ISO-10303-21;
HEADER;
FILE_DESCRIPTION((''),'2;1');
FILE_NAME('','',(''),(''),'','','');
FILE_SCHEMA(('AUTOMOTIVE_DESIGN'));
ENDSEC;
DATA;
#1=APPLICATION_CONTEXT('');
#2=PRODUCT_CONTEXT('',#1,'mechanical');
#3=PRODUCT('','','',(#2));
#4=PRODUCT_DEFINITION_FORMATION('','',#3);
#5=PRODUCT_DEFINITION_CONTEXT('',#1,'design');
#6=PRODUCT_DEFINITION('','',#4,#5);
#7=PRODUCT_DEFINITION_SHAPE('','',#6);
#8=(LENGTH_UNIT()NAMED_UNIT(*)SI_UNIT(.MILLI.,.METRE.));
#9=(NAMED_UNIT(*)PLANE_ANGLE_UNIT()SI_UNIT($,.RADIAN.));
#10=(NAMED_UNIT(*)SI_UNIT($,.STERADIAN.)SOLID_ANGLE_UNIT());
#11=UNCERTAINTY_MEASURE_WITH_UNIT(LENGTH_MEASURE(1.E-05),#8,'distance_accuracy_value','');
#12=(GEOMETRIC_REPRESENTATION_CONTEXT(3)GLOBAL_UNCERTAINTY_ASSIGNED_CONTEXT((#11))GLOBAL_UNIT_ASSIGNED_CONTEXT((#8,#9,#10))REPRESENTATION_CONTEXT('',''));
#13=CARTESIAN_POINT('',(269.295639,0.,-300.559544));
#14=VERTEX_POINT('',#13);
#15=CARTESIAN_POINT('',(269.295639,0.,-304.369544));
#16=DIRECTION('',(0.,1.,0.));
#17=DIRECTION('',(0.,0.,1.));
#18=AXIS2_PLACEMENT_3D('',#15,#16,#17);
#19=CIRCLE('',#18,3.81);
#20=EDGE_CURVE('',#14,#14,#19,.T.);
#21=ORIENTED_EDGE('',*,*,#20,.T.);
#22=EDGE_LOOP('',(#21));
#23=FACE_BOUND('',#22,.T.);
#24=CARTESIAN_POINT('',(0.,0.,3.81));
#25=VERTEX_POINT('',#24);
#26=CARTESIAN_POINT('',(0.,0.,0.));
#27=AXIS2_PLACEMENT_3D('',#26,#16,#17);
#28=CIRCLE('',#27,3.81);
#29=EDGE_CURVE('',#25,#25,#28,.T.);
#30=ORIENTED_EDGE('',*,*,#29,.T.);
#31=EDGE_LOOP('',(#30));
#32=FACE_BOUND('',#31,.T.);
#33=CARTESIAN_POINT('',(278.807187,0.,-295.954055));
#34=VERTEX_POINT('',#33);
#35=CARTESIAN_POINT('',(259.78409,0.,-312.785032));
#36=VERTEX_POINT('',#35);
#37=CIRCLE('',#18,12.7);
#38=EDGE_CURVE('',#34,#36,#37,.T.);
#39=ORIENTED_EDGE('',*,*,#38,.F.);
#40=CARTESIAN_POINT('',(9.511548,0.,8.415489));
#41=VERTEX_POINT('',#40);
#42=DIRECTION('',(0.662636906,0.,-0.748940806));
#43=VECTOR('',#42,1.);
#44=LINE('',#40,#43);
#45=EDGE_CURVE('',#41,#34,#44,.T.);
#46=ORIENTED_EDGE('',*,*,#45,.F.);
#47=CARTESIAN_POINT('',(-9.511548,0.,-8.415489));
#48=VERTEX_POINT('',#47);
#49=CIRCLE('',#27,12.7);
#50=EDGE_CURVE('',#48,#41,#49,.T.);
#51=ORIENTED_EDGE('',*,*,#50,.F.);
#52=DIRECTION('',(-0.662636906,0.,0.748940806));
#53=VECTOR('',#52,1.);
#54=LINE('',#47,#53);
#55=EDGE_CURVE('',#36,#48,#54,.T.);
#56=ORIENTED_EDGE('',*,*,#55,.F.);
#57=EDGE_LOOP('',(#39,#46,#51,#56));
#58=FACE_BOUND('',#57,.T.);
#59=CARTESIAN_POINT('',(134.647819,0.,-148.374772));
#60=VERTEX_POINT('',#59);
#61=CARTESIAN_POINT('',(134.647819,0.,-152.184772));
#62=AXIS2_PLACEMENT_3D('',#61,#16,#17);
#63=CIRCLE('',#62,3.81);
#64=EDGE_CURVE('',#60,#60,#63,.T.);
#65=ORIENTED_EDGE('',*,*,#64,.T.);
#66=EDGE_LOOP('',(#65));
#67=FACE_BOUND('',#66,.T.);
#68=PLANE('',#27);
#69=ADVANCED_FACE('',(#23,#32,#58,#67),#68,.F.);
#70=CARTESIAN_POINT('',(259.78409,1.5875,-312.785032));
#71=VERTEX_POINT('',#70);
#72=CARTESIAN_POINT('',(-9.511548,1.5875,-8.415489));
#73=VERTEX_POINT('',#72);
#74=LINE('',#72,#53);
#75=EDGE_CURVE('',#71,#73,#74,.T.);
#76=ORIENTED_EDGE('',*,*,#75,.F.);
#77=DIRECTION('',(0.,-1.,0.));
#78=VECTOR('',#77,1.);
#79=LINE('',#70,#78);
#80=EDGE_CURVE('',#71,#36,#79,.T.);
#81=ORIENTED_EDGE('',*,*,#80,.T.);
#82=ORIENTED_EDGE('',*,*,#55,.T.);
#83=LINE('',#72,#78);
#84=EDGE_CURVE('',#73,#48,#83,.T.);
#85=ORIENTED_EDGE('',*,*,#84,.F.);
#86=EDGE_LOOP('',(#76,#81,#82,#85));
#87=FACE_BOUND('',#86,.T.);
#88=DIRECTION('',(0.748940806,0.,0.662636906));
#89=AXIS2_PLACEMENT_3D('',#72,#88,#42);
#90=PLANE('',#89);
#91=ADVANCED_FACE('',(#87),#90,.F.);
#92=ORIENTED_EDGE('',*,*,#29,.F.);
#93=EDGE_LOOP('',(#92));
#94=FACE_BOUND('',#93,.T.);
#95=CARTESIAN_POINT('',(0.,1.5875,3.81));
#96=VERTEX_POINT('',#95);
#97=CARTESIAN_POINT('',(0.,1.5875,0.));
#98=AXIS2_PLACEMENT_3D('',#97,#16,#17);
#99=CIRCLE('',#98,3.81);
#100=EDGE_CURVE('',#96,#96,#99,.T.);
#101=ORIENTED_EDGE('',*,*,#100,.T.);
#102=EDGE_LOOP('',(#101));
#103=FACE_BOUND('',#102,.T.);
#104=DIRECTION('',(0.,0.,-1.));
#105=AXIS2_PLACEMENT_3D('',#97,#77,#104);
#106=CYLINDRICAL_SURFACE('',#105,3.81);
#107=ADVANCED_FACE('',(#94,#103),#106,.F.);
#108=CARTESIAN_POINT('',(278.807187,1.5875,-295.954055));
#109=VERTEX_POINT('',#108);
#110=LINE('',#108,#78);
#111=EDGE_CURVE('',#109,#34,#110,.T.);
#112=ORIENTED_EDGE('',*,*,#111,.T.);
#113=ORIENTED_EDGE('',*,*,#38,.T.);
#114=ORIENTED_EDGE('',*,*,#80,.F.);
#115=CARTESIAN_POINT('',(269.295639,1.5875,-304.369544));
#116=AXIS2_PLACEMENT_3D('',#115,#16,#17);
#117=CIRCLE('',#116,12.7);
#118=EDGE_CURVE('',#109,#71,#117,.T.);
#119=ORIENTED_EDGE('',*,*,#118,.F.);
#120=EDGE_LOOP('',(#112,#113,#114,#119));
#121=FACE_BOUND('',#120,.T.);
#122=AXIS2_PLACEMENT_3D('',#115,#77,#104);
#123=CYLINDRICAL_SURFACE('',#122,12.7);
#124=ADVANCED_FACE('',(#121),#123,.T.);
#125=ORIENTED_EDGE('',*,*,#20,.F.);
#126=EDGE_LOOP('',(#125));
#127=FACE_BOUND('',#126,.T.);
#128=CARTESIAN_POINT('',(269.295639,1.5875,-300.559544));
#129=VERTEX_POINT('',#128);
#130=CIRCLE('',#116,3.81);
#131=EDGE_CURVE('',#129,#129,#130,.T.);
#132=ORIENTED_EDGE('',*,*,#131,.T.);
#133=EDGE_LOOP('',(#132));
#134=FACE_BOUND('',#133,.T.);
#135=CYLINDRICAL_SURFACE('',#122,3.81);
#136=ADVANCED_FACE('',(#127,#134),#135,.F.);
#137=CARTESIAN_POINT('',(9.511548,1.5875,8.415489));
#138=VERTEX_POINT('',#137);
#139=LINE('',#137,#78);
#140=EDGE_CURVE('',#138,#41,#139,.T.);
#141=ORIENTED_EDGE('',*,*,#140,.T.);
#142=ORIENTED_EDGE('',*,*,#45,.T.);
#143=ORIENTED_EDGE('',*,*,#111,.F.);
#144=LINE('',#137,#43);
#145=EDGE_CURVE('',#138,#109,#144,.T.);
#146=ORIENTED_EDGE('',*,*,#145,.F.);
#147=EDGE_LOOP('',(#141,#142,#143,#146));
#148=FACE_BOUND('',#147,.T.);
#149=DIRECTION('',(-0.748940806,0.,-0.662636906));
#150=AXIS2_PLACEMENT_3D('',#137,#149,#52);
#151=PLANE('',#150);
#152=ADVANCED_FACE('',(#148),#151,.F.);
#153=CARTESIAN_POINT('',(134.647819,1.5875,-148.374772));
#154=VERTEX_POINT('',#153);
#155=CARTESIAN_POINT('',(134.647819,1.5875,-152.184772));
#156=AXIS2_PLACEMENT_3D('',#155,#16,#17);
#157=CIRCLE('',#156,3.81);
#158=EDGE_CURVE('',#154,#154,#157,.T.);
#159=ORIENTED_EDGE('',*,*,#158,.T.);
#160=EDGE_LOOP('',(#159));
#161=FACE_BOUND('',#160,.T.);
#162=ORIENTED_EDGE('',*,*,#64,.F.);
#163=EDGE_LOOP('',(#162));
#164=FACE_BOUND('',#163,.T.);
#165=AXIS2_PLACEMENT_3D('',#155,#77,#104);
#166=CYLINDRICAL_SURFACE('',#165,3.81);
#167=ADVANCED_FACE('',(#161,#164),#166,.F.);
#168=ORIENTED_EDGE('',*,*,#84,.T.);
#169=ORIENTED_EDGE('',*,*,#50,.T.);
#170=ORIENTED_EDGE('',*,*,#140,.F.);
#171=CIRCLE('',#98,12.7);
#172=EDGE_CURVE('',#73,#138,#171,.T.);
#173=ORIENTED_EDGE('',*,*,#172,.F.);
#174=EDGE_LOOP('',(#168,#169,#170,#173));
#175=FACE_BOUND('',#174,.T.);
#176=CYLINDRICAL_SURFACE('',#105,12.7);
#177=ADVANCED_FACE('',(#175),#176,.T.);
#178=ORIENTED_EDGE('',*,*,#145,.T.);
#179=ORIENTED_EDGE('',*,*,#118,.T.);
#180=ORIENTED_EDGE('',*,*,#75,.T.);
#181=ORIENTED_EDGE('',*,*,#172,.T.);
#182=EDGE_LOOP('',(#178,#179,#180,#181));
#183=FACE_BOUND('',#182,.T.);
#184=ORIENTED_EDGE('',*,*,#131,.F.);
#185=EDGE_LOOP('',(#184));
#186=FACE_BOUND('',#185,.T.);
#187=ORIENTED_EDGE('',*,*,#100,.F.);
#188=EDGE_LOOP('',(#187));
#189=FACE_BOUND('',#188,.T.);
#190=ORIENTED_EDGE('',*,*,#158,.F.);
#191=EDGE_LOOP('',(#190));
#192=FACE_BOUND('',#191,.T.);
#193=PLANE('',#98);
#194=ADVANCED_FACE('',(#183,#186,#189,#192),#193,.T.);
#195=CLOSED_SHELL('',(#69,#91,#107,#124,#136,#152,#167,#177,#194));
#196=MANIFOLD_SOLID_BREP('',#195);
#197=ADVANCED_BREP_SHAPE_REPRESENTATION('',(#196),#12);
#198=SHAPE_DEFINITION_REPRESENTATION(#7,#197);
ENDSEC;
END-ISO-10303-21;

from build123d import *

# Parameters (mm, degrees)
SKETCH1_R           = 3.81
BOSS_EXTRUDE1_DEPTH = 1.5875


with BuildPart() as part:
    # Sketch1 → Boss-Extrude1 (new body)
    with BuildSketch(Plane(origin=(0, 0, 0), x_dir=(1, 0, 0), z_dir=(0, 1, 0))):
        with BuildLine():
            Line((-9.511548238, 8.415488704), (259.784090278, 312.785032312))
            ThreePointArc((259.784090278, 312.785032312), (277.71112722, 313.881091846), (278.807186754, 295.954054905))
            Line((278.807186754, 295.954054905), (9.511548238, -8.415488704))
            ThreePointArc((9.511548238, -8.415488704), (-8.415488704, -9.511548238), (-9.511548238, 8.415488704))
        make_face()
        with Locations(Location((134.647819258, 152.184771804, 0), (0, 0, 270))):
            Circle(SKETCH1_R, mode=Mode.SUBTRACT)
        with Locations(Location((269.295638516, 304.369543608, 0), (0, 0, 270))):
            Circle(SKETCH1_R, mode=Mode.SUBTRACT)
        with Locations(Location((0, 0, 0), (0, 0, 270))):
            Circle(SKETCH1_R, mode=Mode.SUBTRACT)
    extrude(amount=BOSS_EXTRUDE1_DEPTH)


solid = part.part
